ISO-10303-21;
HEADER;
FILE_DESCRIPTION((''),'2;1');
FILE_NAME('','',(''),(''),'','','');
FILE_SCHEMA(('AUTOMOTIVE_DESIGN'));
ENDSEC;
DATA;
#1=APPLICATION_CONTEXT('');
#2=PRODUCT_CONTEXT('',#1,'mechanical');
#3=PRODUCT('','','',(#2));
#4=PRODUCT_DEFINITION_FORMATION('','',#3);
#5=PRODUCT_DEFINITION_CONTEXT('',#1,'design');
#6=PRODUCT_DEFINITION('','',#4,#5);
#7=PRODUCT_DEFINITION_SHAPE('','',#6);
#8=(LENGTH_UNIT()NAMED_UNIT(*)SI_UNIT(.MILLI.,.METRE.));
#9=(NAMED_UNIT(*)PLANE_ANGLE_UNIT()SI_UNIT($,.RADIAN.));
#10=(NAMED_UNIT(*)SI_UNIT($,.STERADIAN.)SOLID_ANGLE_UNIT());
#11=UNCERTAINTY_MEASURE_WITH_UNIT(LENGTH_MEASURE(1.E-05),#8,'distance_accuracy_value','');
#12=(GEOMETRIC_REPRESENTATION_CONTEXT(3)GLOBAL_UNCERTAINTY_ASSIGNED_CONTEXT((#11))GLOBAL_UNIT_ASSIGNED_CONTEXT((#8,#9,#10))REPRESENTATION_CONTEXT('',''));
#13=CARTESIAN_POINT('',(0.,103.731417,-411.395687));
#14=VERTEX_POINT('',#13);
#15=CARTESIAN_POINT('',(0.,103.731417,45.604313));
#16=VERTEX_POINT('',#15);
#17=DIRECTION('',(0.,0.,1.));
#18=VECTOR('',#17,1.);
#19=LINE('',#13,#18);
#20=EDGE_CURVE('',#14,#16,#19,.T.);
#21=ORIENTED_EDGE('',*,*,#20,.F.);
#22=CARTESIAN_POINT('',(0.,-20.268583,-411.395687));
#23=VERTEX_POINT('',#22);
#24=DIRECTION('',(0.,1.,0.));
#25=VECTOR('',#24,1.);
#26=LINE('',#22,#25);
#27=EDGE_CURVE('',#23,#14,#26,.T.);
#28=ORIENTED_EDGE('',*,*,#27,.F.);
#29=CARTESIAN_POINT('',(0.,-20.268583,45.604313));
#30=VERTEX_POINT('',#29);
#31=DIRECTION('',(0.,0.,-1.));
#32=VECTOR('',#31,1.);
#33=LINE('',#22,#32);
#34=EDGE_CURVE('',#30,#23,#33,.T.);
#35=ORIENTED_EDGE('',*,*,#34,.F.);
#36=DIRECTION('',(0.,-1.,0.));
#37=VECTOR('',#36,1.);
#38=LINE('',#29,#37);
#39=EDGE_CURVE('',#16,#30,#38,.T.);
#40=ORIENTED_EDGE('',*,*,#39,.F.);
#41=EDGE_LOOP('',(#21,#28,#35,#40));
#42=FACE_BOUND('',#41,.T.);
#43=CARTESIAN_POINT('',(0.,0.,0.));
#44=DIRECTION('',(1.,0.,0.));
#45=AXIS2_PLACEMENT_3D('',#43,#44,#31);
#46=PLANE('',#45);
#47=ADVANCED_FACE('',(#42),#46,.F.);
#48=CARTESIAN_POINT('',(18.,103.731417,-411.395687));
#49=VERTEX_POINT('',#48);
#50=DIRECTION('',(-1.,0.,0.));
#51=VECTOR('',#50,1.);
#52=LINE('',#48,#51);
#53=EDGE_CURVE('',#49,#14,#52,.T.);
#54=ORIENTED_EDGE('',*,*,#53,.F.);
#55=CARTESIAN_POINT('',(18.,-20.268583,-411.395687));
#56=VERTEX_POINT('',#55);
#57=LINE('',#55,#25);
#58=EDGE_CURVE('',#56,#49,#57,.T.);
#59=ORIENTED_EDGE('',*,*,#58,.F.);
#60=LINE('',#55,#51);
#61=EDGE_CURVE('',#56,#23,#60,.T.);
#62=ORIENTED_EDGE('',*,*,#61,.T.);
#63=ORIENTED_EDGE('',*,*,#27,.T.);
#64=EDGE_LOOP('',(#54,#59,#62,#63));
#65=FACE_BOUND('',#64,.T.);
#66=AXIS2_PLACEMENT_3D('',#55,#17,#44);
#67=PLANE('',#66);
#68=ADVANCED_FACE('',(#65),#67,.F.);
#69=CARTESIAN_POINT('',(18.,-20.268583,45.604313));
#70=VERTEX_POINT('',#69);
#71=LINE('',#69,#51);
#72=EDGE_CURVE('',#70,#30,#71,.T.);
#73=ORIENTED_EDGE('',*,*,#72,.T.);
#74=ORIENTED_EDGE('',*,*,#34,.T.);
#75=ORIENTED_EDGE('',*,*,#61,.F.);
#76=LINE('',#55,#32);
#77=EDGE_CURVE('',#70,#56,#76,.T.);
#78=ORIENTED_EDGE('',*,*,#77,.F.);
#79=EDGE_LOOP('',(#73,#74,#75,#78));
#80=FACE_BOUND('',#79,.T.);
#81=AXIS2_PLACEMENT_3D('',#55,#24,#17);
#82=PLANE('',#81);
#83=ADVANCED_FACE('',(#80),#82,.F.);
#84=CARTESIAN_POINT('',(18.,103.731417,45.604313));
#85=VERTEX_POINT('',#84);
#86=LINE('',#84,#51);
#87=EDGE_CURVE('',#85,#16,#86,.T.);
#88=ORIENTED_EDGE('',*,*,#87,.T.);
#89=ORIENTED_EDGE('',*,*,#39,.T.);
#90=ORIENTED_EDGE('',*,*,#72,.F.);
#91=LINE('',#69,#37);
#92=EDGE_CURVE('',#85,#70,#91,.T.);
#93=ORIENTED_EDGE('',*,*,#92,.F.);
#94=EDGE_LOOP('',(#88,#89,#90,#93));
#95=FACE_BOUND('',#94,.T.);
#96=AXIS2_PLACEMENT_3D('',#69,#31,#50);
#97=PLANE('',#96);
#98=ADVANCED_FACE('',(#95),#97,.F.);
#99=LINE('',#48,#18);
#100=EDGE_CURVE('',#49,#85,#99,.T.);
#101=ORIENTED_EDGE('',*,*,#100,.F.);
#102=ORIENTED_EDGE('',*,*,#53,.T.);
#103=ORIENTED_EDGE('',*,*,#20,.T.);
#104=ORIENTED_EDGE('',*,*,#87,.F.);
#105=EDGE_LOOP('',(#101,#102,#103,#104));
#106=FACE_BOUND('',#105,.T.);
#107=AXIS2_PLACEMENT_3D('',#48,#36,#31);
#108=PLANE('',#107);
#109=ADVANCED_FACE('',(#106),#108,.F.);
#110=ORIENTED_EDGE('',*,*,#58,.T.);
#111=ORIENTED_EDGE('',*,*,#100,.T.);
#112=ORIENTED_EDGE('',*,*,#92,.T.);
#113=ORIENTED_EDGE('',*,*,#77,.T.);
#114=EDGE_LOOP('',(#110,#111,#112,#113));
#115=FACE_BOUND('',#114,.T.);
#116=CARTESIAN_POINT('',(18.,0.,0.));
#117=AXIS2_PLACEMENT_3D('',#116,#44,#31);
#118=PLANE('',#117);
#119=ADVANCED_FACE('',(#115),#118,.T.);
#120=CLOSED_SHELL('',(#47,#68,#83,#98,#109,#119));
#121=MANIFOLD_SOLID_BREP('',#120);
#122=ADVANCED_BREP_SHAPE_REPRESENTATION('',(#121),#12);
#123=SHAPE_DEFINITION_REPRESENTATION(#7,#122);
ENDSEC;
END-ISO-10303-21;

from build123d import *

# Parameters (mm, degrees)
SKETCH_1_W      = 457
SKETCH_1_H      = 124
EXTRUDE_1_DEPTH = 18


with BuildPart() as part:
    # Эскиз1 → Бобышка-Вытянуть1 (new body)
    with BuildSketch(Plane(origin=(0, 0, 0), x_dir=(0, 0, -1), z_dir=(1, 0, 0))):
        with Locations((182.895687411, 41.731416627)):
            Rectangle(SKETCH_1_W, SKETCH_1_H)
    extrude(amount=EXTRUDE_1_DEPTH)


solid = part.part
